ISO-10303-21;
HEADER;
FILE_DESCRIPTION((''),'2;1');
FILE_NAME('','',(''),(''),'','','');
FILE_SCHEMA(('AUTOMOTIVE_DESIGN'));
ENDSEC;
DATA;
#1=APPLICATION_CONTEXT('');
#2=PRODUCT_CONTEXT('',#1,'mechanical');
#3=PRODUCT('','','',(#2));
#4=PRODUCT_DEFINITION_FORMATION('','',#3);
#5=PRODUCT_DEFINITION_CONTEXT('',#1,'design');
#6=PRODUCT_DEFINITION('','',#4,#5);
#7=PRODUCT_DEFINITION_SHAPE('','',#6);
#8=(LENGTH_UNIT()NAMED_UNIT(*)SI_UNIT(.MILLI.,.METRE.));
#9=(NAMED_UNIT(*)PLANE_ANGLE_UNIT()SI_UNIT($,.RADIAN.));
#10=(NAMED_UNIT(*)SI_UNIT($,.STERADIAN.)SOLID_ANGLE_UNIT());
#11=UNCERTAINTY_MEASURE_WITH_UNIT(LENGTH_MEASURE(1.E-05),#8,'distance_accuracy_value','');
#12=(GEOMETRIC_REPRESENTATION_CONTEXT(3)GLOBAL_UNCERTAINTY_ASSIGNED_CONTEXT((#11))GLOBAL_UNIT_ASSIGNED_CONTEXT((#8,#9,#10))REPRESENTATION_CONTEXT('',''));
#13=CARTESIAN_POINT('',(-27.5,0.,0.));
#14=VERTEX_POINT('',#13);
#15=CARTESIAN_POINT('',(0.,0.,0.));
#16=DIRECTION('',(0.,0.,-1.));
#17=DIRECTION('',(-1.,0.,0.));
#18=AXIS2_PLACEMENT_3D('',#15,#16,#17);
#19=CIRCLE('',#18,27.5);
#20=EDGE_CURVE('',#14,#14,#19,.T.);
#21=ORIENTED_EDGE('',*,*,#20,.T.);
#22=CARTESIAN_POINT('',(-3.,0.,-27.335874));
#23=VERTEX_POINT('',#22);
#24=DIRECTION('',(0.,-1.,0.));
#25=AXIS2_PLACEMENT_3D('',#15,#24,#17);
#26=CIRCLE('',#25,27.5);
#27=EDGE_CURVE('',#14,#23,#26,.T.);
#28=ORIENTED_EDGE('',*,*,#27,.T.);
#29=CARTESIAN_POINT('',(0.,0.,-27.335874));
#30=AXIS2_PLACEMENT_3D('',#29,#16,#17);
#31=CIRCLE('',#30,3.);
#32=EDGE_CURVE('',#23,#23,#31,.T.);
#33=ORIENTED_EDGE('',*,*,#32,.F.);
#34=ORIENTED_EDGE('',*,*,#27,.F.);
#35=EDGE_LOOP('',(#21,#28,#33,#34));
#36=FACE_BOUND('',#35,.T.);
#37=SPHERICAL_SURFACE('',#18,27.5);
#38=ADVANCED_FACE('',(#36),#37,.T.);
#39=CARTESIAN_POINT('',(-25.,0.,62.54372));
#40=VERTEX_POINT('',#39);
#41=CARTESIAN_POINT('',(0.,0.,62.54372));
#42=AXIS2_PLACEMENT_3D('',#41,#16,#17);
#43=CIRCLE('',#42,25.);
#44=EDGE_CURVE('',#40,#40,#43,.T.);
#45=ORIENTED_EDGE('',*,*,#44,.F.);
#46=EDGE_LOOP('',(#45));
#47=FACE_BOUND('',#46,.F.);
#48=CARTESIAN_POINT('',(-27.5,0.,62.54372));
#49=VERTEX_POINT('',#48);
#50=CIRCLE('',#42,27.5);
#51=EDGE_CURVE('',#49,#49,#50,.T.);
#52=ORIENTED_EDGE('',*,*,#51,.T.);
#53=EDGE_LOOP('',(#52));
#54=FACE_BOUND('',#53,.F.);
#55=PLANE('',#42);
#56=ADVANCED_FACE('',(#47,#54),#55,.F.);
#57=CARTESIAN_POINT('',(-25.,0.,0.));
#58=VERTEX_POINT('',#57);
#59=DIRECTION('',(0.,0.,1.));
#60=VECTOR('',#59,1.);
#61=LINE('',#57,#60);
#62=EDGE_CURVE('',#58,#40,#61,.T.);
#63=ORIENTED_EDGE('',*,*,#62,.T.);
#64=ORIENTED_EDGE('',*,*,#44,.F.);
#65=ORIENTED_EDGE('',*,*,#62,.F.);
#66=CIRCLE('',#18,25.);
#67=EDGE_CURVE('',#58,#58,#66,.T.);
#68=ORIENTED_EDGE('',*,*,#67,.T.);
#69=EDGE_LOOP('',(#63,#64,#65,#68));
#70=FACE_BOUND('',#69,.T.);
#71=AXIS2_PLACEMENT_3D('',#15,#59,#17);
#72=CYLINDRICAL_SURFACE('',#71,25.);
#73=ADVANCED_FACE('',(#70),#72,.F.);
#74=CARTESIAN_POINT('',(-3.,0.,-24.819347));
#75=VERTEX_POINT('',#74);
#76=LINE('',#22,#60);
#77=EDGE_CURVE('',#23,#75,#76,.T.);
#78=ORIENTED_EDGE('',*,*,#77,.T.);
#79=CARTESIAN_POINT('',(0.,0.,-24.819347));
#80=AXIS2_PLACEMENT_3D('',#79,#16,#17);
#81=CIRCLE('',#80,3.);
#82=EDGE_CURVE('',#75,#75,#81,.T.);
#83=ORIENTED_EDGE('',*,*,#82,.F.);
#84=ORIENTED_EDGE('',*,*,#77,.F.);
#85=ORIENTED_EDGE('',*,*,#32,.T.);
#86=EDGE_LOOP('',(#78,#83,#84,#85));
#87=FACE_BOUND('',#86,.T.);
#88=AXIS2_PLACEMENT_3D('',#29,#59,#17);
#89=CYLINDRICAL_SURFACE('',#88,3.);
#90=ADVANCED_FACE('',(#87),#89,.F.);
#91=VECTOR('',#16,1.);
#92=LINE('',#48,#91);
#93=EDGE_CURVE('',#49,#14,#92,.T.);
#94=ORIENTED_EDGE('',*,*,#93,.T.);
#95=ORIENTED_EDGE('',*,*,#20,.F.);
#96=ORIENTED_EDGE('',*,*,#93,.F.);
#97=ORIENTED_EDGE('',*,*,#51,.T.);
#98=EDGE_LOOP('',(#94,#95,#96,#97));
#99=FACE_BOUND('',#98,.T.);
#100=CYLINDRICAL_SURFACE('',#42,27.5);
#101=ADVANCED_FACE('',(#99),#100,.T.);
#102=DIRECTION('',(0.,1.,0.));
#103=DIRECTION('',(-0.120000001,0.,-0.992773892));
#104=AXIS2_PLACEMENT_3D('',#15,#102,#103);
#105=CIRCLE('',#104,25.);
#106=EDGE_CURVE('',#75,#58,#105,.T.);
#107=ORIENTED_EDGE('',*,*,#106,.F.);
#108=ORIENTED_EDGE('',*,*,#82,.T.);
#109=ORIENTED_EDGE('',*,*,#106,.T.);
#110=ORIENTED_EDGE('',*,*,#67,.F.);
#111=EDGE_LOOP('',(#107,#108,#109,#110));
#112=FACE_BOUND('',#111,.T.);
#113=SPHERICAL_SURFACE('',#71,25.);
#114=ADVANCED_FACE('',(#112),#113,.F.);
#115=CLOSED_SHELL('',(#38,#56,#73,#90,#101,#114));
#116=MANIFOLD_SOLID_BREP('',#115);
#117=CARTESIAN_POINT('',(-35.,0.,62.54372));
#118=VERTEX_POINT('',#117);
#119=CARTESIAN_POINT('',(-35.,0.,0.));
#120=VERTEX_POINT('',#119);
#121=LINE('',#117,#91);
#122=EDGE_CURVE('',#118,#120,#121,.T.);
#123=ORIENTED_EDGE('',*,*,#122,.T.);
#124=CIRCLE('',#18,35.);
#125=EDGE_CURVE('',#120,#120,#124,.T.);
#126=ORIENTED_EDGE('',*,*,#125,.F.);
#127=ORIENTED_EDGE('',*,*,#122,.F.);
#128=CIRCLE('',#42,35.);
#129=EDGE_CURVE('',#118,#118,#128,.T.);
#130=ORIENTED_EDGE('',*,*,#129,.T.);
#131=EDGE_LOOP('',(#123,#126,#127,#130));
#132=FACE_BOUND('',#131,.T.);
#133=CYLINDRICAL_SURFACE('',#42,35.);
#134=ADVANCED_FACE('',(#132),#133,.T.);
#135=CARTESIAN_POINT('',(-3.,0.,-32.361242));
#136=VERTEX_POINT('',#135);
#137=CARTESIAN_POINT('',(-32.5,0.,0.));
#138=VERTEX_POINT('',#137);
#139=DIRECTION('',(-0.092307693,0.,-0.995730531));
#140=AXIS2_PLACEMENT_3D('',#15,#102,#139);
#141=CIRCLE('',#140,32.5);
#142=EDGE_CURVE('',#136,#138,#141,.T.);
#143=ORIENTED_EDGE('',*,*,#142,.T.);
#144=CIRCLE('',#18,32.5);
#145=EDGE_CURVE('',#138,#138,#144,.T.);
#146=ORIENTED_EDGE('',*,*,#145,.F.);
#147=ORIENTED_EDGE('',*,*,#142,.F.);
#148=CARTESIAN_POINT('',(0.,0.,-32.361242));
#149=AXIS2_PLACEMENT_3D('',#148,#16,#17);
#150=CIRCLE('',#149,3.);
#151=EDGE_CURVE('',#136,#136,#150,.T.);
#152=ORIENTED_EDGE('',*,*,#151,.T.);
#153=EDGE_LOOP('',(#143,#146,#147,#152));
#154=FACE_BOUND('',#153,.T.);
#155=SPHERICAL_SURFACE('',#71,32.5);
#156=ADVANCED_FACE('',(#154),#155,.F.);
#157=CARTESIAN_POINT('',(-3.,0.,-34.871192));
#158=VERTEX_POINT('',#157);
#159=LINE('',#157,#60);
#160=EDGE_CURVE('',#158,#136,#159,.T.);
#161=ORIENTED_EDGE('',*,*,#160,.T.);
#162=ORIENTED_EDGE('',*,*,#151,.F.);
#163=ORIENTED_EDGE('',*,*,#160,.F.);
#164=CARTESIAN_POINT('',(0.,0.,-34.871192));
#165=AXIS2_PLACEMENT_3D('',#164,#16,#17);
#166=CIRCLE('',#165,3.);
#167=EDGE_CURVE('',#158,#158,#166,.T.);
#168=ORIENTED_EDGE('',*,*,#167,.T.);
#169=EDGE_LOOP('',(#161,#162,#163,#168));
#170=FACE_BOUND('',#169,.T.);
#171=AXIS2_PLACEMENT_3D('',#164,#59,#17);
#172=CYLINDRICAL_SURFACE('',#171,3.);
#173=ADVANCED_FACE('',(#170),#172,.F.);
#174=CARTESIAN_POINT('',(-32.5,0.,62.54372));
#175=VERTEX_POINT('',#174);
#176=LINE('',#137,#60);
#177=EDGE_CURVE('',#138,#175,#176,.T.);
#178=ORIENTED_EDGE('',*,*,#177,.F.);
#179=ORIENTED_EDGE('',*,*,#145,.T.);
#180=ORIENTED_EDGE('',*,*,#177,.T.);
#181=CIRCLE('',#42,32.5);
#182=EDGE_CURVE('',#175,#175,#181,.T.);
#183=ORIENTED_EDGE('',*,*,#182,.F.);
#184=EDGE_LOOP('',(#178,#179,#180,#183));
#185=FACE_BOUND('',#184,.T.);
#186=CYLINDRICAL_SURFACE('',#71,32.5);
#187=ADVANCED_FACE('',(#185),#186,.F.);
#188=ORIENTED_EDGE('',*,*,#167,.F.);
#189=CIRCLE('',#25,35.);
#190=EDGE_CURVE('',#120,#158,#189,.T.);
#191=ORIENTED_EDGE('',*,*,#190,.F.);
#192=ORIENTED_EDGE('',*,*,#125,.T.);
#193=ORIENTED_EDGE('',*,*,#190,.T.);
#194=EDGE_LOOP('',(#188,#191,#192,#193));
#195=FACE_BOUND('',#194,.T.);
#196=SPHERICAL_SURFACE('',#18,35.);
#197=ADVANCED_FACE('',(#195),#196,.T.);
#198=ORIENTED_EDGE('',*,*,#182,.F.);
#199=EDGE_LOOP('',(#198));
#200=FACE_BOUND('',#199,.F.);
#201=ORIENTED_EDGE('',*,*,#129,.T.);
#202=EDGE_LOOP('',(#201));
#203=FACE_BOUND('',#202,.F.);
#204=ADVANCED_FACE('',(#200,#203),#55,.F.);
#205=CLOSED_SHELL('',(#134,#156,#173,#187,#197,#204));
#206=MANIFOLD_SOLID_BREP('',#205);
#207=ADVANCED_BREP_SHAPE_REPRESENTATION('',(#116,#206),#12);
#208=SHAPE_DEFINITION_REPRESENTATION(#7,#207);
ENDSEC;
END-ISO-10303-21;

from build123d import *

# Parameters (mm, degrees)
F0_W = 2.5
F0_H = 5


with BuildPart() as f1:
    # F0 (on Front) → F1 (revolve)
    with BuildSketch(Plane.XZ):
        with Locations((-26.25, 60.0437200069)):
            Rectangle(F0_W, F0_H)
        with BuildLine():
            ThreePointArc((-3.0000000261, -24.8193472888), (-18.7082869426, -16.5831239419), (-25, 0))
            Line((-25, 0), (-25, 57.5437200069))
            Line((-25, 57.5437200069), (-27.5, 57.5437200069))
            Line((-27.5, 57.5437200069), (-27.5, 0))
            ThreePointArc((-27.5, 0), (-20.478647425, -18.3541548332), (-3.0000000261, -27.3358738628))
            Line((-3.0000000261, -27.3358738628), (-3.0000000261, -24.8193472888))
        make_face()
    revolve(axis=Axis((0, 0, 9.7777000327), (0, 0, -1)))


with BuildPart() as f1b:
    # F0 (on Front) → F1, piece 2 (revolve)
    with BuildSketch(Plane.XZ):
        with Locations((-33.75, 60.0437200069)):
            Rectangle(F0_W, F0_H)
        with BuildLine():
            Line((-3.0000000261, -34.8711915461), (-3.0000000261, -32.3612422482))
            ThreePointArc((-3.0000000261, -32.3612422482), (-24.0182222578, -21.8946340361), (-32.5, 0))
            Line((-32.5, 0), (-32.5, 57.5437200069))
            Line((-32.5, 57.5437200069), (-35, 57.5437200069))
            Line((-35, 57.5437200069), (-35, 0))
            ThreePointArc((-35, 0), (-25.7875939253, -23.6643191228), (-3.0000000261, -34.8711915461))
        make_face()
    revolve(axis=Axis((0, 0, 9.7777000327), (0, 0, -1)))


solid = Compound([f1.part, f1b.part])
